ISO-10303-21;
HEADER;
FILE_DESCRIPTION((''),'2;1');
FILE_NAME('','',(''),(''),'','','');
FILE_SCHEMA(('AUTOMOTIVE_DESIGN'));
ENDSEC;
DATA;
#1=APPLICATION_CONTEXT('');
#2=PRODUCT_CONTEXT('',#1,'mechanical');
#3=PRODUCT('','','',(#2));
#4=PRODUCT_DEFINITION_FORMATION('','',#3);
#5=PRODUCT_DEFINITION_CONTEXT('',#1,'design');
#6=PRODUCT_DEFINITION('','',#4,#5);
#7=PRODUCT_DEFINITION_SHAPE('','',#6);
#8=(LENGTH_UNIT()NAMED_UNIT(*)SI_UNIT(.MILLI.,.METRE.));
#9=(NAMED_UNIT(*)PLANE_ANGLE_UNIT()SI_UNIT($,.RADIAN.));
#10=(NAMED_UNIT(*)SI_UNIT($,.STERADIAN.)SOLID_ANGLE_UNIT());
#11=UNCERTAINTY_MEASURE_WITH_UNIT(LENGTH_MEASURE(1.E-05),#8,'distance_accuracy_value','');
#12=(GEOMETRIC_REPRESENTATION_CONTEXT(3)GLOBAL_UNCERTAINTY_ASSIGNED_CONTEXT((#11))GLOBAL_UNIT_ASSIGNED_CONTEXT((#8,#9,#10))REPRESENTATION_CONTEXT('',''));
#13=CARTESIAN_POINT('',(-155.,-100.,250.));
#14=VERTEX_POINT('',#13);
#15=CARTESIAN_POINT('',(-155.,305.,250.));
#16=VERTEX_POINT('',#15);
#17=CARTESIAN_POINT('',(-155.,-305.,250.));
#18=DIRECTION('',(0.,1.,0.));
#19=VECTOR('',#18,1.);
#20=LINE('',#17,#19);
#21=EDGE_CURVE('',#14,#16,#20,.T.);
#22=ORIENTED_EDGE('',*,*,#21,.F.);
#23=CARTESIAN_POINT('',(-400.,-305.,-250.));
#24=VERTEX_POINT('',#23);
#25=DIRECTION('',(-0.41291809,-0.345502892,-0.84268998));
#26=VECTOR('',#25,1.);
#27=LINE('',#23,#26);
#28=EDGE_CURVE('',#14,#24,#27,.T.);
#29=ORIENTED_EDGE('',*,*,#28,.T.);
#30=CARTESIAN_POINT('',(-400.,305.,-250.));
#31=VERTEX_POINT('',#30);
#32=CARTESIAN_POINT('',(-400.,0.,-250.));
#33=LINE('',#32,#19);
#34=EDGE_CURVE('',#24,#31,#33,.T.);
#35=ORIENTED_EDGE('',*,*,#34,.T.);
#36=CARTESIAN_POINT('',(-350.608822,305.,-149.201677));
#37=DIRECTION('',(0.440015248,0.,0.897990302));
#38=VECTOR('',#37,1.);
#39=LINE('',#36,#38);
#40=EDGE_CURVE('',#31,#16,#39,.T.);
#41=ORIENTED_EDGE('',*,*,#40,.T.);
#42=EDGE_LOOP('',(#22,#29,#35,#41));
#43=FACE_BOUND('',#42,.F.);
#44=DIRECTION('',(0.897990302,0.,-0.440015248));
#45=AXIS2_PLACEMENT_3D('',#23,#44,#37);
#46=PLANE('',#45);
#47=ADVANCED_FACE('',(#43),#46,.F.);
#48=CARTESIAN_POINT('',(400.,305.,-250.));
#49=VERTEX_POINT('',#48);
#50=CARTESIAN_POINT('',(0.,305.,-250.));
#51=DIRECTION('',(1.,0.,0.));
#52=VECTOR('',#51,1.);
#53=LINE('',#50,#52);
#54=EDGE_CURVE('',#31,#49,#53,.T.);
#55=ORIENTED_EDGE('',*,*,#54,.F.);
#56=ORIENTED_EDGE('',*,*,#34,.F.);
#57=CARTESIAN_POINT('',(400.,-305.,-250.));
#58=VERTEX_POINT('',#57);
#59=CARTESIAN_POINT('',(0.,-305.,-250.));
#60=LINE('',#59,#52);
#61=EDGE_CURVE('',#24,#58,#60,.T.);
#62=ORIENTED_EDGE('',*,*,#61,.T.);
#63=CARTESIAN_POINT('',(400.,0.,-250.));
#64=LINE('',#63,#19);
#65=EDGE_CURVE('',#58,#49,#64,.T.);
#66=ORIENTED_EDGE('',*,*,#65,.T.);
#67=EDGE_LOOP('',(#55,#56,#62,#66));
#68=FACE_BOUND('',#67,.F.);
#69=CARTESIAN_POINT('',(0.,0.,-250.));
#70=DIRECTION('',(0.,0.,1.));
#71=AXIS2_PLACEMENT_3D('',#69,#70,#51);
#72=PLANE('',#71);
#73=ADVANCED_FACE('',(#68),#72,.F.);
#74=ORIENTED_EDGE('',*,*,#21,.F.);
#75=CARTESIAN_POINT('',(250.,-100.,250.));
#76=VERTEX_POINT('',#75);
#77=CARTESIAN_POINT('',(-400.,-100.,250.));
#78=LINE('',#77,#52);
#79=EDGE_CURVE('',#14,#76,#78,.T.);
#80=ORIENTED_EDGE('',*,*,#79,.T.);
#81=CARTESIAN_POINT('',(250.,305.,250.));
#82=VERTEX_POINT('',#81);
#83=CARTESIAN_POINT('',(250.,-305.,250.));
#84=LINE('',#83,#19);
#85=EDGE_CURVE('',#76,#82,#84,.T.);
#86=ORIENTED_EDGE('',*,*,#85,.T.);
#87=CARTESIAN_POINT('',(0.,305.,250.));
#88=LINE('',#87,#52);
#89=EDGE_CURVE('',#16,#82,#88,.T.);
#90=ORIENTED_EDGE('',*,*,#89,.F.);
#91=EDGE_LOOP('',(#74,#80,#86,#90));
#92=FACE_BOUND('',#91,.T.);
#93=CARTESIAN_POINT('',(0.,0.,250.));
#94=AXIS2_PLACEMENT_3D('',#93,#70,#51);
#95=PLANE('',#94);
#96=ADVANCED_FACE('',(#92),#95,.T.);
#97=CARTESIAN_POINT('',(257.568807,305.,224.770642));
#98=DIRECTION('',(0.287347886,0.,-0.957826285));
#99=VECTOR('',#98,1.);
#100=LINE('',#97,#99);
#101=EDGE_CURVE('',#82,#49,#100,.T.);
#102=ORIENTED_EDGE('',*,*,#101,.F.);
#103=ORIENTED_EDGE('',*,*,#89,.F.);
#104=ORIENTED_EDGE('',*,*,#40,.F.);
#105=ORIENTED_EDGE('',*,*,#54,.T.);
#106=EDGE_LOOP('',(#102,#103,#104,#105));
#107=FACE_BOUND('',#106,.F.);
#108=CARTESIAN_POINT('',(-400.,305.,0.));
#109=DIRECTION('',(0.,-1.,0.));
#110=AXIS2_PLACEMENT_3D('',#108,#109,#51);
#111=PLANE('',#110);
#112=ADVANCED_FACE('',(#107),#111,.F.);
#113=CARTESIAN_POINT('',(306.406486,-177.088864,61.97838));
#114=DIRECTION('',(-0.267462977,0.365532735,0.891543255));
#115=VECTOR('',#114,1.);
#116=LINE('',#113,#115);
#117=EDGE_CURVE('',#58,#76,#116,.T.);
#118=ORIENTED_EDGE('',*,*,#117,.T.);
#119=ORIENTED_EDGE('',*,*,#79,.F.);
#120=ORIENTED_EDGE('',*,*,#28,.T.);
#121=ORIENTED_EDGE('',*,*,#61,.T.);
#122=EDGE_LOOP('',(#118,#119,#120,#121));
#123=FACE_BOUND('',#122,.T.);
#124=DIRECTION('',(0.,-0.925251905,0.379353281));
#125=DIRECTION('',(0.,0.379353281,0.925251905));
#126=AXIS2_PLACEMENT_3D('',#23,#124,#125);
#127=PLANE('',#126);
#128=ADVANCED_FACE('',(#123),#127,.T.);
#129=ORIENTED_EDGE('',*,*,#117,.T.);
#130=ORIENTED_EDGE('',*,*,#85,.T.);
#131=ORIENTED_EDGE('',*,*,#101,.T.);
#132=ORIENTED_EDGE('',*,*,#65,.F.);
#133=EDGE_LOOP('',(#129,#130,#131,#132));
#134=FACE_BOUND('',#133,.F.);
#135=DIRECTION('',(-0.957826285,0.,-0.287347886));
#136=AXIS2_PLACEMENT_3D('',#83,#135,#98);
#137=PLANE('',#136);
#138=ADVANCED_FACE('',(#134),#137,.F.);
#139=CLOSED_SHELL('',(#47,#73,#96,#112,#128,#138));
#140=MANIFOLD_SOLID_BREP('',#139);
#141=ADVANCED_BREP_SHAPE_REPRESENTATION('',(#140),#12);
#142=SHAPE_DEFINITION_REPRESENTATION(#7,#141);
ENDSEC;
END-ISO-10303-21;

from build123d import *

# Parameters (mm, degrees)
F0_W     = 800
F0_H     = 610
F1_DEPTH = 250
F3_DEPTH = 610.001
F6_DEPTH = 800.001


with BuildPart() as f1:
    # F0 (on Top) → F1 (new body, symmetric)
    with BuildSketch(Plane.XY):
        Rectangle(F0_W, F0_H)
    extrude(amount=F1_DEPTH, both=True)

    # F2 (on face) → F3 (cut, through all)
    with BuildSketch(Plane.XZ.offset(305)):
        Polygon((-155, 250), (-400, 250), (-400, -250), align=None)
        Polygon((400, 250), (250, 250), (400, -250), align=None)
    extrude(amount=-F3_DEPTH, mode=Mode.SUBTRACT)

    # F5 (on offset) → F6 (cut, through all)
    with BuildSketch(Plane.YZ.offset(-400)):
        Polygon((-305, -250), (-100, 250), (-305, 250), align=None)
    extrude(amount=F6_DEPTH, mode=Mode.SUBTRACT)


solid = f1.part
